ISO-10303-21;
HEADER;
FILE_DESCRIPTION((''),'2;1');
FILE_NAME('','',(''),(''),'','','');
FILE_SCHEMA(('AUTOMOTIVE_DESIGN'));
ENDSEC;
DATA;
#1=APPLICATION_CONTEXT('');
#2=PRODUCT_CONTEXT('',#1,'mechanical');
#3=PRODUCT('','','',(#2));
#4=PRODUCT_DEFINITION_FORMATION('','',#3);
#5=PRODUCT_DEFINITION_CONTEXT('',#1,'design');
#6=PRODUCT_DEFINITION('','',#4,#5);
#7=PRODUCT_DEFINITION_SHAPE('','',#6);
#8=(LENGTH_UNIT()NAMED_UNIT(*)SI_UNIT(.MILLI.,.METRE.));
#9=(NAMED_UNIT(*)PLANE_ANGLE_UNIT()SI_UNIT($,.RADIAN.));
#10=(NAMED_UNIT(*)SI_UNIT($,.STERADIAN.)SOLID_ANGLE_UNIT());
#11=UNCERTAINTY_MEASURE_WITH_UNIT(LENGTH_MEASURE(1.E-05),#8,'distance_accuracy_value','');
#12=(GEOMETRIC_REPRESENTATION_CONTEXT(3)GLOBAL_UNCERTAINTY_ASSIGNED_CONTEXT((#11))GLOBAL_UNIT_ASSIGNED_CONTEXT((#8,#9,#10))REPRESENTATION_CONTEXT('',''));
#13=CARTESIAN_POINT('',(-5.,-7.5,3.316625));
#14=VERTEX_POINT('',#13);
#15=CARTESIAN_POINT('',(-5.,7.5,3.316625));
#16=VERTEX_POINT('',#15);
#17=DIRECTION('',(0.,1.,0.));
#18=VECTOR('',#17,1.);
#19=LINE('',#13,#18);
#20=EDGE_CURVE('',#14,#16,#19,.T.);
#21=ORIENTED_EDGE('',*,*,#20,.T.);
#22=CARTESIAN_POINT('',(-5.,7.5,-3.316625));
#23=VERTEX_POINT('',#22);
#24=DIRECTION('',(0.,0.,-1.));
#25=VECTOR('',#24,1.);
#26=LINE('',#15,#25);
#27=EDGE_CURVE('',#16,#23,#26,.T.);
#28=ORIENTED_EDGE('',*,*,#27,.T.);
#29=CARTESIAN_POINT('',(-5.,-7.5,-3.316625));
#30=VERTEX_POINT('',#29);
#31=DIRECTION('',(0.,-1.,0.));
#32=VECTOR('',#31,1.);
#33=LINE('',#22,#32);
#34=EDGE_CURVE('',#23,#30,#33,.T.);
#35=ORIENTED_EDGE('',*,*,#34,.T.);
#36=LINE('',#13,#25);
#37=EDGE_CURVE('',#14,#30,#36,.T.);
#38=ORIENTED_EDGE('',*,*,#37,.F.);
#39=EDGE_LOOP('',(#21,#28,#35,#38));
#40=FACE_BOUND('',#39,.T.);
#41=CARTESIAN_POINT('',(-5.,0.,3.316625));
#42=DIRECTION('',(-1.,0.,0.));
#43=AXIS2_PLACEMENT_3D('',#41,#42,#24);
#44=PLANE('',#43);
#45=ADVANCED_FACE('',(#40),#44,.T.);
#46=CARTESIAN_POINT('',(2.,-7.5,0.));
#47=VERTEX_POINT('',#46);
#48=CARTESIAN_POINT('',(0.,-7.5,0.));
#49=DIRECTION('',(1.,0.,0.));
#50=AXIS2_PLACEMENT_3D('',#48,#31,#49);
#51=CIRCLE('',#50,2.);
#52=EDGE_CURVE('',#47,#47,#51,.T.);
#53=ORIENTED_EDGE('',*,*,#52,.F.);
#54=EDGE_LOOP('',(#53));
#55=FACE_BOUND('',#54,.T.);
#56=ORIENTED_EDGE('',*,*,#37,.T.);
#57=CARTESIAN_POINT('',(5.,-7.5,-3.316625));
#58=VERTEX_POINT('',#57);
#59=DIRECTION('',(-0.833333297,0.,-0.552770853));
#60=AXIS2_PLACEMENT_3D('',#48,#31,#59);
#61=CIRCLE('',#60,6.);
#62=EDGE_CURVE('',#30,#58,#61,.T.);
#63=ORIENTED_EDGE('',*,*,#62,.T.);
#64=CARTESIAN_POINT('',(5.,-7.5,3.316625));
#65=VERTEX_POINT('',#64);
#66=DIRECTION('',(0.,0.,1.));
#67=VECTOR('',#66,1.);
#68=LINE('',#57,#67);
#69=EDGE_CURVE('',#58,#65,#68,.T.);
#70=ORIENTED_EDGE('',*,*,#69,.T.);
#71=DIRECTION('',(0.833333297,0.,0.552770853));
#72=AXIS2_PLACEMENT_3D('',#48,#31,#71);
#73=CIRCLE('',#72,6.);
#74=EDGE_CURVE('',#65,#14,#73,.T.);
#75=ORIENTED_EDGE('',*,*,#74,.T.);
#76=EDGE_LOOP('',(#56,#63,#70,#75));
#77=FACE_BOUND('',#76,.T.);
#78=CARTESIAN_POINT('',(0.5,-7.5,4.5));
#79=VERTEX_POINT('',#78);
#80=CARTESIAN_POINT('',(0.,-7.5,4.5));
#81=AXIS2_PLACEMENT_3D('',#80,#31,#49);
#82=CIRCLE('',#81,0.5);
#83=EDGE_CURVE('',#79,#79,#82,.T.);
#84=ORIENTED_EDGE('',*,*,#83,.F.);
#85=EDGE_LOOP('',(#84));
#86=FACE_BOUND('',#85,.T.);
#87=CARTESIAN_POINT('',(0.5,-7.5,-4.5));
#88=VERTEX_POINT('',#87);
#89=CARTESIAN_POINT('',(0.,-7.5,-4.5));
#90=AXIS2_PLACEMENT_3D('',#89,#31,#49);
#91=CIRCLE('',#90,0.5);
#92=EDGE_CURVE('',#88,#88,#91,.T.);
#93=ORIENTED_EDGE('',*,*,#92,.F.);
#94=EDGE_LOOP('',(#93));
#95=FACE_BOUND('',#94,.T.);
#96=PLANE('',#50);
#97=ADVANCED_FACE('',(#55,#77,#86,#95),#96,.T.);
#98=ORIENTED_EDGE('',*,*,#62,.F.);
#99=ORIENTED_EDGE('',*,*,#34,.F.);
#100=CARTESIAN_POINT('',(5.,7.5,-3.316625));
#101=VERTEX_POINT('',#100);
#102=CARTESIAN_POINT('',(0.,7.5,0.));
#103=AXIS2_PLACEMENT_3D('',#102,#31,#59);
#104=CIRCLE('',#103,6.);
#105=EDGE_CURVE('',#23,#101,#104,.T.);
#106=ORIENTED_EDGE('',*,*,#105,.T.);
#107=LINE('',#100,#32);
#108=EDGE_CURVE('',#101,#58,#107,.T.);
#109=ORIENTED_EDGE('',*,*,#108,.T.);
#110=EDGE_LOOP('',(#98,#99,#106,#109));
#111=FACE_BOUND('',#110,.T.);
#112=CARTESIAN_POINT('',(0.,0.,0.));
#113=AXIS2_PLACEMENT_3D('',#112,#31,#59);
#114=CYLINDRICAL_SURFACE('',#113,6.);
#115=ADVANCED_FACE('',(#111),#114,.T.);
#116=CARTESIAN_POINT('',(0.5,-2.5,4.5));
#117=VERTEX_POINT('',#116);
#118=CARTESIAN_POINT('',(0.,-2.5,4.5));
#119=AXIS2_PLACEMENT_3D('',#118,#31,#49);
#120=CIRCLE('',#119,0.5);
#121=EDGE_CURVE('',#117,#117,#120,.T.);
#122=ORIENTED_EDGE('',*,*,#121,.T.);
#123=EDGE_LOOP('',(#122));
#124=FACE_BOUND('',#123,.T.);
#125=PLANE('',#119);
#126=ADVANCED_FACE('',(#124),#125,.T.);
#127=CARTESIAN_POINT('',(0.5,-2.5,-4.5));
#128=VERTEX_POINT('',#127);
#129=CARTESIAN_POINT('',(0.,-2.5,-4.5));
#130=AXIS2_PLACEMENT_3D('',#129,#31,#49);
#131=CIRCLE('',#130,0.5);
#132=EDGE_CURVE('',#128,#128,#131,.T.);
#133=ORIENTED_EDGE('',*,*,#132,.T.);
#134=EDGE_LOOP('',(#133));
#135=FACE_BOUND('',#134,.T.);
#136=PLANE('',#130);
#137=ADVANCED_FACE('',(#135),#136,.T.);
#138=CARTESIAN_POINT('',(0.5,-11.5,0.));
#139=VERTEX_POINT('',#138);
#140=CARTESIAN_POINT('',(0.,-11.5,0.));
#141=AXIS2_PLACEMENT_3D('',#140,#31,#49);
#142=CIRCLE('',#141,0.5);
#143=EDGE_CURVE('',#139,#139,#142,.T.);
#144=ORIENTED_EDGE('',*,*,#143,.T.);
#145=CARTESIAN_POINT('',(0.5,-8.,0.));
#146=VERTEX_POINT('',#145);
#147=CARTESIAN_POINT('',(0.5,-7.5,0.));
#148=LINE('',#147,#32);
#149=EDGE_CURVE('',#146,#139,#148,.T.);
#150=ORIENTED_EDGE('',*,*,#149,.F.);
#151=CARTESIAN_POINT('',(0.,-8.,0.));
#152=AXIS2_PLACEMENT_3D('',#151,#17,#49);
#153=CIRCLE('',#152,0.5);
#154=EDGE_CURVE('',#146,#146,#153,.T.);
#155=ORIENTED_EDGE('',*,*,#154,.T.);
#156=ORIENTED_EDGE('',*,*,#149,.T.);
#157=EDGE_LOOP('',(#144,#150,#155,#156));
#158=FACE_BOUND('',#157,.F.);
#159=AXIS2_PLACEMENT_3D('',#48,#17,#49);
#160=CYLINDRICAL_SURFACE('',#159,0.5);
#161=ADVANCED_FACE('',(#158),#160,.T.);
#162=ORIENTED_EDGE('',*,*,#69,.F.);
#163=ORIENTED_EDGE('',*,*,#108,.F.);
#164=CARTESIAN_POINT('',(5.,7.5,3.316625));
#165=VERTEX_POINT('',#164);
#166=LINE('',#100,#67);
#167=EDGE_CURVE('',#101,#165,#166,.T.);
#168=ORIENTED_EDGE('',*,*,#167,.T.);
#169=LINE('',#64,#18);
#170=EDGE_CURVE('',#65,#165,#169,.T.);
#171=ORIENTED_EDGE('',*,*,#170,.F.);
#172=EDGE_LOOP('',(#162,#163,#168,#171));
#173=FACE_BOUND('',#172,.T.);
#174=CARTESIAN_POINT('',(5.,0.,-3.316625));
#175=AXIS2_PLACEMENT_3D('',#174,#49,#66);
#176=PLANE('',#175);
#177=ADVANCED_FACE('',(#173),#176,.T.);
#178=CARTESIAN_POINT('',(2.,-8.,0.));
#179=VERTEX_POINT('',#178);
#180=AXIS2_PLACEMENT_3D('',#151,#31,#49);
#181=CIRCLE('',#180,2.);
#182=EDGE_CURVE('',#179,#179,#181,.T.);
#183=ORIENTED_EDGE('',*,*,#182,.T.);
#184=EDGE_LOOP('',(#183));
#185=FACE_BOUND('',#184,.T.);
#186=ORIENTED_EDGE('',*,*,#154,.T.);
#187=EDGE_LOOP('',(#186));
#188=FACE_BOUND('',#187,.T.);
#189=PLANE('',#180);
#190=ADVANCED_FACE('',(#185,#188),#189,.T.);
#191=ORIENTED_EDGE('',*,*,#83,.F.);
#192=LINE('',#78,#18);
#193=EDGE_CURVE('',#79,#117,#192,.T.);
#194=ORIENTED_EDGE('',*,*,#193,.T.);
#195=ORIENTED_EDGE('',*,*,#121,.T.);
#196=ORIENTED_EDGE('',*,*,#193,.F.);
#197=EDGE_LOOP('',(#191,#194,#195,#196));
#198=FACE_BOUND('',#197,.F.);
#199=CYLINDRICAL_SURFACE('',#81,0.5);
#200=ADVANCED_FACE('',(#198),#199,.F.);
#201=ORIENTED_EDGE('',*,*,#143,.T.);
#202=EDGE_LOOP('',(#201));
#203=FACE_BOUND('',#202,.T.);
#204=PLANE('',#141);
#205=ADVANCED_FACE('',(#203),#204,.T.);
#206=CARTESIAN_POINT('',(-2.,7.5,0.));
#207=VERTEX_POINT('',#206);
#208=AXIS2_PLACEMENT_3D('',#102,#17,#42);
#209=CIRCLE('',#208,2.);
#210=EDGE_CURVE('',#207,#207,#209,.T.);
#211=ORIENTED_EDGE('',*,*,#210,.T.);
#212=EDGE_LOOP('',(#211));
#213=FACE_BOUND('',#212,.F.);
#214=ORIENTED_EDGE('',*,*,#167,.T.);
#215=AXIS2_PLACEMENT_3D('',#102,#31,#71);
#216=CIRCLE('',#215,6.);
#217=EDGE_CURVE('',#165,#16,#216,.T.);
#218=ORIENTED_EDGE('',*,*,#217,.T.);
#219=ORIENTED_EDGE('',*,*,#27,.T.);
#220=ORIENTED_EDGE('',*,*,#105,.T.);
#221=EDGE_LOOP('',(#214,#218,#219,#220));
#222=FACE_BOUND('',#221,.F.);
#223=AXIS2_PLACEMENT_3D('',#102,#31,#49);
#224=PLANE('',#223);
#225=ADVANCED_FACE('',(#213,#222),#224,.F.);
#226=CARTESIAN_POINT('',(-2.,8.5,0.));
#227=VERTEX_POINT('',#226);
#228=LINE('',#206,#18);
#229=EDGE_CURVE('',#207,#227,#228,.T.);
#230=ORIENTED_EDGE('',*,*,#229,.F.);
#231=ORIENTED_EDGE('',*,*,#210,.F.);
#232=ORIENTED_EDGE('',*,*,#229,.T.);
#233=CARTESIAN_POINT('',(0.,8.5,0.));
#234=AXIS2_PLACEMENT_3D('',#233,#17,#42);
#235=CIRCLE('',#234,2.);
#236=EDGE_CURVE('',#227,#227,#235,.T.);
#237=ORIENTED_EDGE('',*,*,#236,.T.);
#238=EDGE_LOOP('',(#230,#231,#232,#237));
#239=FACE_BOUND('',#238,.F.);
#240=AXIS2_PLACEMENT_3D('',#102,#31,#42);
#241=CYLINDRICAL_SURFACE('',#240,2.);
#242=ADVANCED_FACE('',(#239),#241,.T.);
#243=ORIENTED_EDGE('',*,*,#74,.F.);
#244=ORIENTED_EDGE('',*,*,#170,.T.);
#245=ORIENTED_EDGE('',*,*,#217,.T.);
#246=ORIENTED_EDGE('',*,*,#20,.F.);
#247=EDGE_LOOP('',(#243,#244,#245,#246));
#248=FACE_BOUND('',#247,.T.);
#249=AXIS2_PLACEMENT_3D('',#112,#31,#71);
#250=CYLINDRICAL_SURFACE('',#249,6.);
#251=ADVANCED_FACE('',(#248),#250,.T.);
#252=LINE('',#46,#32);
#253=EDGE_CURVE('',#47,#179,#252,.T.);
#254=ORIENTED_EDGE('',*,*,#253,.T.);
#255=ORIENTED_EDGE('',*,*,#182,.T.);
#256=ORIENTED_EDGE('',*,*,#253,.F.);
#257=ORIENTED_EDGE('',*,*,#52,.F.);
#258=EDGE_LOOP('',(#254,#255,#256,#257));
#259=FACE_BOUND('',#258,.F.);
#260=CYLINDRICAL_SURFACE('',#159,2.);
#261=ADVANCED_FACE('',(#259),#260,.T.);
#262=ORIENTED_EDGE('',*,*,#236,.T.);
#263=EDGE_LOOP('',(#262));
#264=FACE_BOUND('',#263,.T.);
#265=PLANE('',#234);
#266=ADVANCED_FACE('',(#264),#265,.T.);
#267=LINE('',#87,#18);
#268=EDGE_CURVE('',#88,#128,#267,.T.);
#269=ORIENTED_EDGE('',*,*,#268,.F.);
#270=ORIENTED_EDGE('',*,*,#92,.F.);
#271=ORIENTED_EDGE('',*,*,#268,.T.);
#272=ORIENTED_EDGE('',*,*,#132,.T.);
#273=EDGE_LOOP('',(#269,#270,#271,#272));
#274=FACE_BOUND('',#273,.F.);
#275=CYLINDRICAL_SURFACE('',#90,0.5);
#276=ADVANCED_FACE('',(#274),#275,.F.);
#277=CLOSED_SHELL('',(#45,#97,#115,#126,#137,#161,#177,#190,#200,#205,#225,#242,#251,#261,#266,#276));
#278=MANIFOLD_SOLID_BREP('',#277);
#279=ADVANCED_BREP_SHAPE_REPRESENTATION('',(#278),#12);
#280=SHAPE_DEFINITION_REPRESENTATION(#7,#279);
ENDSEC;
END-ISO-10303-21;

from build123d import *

# Parameters (mm, degrees)
F1_DEPTH = 7.5
F2_R     = 0.5
F3_DEPTH = 4
F4_R     = 2
F5_DEPTH = 0.5
F6_R     = 2
F7_DEPTH = 1
F8_R     = 0.5
F9_DEPTH = 5


with BuildPart() as f1:
    # F0 (on Front) → F1 (new body, symmetric)
    with BuildSketch(Plane.XZ):
        with BuildLine():
            Line((-5, 3.316625), (-5, -3.316625))
            ThreePointArc((-5, -3.316625), (0, -6), (5, -3.316625))
            Line((5, -3.316625), (5, 3.316625))
            ThreePointArc((5, 3.316625), (0, 6), (-5, 3.316625))
        make_face()
    extrude(amount=F1_DEPTH, both=True)

    # F2 (on face) → F3 (join)
    with BuildSketch(Plane.XZ.offset(7.5)):
        Circle(F2_R)
    extrude(amount=F3_DEPTH)

    # F4 (on face) → F5 (join)
    with BuildSketch(Plane.XZ.offset(7.5)):
        Circle(F4_R)
    extrude(amount=F5_DEPTH)

    # F6 (on face) → F7 (join)
    with BuildSketch(Plane(origin=(0, 7.5, 0), x_dir=(-1, 0, 0), z_dir=(0, 1, 0))):
        Circle(F6_R)
    extrude(amount=F7_DEPTH)

    # F8 (on face) → F9 (cut)
    with BuildSketch(Plane.XZ.offset(7.5)):
        with Locations((0, 4.5)):
            Circle(F8_R)
        with Locations((0, -4.5)):
            Circle(F8_R)
    extrude(amount=-F9_DEPTH, mode=Mode.SUBTRACT)


solid = f1.part
